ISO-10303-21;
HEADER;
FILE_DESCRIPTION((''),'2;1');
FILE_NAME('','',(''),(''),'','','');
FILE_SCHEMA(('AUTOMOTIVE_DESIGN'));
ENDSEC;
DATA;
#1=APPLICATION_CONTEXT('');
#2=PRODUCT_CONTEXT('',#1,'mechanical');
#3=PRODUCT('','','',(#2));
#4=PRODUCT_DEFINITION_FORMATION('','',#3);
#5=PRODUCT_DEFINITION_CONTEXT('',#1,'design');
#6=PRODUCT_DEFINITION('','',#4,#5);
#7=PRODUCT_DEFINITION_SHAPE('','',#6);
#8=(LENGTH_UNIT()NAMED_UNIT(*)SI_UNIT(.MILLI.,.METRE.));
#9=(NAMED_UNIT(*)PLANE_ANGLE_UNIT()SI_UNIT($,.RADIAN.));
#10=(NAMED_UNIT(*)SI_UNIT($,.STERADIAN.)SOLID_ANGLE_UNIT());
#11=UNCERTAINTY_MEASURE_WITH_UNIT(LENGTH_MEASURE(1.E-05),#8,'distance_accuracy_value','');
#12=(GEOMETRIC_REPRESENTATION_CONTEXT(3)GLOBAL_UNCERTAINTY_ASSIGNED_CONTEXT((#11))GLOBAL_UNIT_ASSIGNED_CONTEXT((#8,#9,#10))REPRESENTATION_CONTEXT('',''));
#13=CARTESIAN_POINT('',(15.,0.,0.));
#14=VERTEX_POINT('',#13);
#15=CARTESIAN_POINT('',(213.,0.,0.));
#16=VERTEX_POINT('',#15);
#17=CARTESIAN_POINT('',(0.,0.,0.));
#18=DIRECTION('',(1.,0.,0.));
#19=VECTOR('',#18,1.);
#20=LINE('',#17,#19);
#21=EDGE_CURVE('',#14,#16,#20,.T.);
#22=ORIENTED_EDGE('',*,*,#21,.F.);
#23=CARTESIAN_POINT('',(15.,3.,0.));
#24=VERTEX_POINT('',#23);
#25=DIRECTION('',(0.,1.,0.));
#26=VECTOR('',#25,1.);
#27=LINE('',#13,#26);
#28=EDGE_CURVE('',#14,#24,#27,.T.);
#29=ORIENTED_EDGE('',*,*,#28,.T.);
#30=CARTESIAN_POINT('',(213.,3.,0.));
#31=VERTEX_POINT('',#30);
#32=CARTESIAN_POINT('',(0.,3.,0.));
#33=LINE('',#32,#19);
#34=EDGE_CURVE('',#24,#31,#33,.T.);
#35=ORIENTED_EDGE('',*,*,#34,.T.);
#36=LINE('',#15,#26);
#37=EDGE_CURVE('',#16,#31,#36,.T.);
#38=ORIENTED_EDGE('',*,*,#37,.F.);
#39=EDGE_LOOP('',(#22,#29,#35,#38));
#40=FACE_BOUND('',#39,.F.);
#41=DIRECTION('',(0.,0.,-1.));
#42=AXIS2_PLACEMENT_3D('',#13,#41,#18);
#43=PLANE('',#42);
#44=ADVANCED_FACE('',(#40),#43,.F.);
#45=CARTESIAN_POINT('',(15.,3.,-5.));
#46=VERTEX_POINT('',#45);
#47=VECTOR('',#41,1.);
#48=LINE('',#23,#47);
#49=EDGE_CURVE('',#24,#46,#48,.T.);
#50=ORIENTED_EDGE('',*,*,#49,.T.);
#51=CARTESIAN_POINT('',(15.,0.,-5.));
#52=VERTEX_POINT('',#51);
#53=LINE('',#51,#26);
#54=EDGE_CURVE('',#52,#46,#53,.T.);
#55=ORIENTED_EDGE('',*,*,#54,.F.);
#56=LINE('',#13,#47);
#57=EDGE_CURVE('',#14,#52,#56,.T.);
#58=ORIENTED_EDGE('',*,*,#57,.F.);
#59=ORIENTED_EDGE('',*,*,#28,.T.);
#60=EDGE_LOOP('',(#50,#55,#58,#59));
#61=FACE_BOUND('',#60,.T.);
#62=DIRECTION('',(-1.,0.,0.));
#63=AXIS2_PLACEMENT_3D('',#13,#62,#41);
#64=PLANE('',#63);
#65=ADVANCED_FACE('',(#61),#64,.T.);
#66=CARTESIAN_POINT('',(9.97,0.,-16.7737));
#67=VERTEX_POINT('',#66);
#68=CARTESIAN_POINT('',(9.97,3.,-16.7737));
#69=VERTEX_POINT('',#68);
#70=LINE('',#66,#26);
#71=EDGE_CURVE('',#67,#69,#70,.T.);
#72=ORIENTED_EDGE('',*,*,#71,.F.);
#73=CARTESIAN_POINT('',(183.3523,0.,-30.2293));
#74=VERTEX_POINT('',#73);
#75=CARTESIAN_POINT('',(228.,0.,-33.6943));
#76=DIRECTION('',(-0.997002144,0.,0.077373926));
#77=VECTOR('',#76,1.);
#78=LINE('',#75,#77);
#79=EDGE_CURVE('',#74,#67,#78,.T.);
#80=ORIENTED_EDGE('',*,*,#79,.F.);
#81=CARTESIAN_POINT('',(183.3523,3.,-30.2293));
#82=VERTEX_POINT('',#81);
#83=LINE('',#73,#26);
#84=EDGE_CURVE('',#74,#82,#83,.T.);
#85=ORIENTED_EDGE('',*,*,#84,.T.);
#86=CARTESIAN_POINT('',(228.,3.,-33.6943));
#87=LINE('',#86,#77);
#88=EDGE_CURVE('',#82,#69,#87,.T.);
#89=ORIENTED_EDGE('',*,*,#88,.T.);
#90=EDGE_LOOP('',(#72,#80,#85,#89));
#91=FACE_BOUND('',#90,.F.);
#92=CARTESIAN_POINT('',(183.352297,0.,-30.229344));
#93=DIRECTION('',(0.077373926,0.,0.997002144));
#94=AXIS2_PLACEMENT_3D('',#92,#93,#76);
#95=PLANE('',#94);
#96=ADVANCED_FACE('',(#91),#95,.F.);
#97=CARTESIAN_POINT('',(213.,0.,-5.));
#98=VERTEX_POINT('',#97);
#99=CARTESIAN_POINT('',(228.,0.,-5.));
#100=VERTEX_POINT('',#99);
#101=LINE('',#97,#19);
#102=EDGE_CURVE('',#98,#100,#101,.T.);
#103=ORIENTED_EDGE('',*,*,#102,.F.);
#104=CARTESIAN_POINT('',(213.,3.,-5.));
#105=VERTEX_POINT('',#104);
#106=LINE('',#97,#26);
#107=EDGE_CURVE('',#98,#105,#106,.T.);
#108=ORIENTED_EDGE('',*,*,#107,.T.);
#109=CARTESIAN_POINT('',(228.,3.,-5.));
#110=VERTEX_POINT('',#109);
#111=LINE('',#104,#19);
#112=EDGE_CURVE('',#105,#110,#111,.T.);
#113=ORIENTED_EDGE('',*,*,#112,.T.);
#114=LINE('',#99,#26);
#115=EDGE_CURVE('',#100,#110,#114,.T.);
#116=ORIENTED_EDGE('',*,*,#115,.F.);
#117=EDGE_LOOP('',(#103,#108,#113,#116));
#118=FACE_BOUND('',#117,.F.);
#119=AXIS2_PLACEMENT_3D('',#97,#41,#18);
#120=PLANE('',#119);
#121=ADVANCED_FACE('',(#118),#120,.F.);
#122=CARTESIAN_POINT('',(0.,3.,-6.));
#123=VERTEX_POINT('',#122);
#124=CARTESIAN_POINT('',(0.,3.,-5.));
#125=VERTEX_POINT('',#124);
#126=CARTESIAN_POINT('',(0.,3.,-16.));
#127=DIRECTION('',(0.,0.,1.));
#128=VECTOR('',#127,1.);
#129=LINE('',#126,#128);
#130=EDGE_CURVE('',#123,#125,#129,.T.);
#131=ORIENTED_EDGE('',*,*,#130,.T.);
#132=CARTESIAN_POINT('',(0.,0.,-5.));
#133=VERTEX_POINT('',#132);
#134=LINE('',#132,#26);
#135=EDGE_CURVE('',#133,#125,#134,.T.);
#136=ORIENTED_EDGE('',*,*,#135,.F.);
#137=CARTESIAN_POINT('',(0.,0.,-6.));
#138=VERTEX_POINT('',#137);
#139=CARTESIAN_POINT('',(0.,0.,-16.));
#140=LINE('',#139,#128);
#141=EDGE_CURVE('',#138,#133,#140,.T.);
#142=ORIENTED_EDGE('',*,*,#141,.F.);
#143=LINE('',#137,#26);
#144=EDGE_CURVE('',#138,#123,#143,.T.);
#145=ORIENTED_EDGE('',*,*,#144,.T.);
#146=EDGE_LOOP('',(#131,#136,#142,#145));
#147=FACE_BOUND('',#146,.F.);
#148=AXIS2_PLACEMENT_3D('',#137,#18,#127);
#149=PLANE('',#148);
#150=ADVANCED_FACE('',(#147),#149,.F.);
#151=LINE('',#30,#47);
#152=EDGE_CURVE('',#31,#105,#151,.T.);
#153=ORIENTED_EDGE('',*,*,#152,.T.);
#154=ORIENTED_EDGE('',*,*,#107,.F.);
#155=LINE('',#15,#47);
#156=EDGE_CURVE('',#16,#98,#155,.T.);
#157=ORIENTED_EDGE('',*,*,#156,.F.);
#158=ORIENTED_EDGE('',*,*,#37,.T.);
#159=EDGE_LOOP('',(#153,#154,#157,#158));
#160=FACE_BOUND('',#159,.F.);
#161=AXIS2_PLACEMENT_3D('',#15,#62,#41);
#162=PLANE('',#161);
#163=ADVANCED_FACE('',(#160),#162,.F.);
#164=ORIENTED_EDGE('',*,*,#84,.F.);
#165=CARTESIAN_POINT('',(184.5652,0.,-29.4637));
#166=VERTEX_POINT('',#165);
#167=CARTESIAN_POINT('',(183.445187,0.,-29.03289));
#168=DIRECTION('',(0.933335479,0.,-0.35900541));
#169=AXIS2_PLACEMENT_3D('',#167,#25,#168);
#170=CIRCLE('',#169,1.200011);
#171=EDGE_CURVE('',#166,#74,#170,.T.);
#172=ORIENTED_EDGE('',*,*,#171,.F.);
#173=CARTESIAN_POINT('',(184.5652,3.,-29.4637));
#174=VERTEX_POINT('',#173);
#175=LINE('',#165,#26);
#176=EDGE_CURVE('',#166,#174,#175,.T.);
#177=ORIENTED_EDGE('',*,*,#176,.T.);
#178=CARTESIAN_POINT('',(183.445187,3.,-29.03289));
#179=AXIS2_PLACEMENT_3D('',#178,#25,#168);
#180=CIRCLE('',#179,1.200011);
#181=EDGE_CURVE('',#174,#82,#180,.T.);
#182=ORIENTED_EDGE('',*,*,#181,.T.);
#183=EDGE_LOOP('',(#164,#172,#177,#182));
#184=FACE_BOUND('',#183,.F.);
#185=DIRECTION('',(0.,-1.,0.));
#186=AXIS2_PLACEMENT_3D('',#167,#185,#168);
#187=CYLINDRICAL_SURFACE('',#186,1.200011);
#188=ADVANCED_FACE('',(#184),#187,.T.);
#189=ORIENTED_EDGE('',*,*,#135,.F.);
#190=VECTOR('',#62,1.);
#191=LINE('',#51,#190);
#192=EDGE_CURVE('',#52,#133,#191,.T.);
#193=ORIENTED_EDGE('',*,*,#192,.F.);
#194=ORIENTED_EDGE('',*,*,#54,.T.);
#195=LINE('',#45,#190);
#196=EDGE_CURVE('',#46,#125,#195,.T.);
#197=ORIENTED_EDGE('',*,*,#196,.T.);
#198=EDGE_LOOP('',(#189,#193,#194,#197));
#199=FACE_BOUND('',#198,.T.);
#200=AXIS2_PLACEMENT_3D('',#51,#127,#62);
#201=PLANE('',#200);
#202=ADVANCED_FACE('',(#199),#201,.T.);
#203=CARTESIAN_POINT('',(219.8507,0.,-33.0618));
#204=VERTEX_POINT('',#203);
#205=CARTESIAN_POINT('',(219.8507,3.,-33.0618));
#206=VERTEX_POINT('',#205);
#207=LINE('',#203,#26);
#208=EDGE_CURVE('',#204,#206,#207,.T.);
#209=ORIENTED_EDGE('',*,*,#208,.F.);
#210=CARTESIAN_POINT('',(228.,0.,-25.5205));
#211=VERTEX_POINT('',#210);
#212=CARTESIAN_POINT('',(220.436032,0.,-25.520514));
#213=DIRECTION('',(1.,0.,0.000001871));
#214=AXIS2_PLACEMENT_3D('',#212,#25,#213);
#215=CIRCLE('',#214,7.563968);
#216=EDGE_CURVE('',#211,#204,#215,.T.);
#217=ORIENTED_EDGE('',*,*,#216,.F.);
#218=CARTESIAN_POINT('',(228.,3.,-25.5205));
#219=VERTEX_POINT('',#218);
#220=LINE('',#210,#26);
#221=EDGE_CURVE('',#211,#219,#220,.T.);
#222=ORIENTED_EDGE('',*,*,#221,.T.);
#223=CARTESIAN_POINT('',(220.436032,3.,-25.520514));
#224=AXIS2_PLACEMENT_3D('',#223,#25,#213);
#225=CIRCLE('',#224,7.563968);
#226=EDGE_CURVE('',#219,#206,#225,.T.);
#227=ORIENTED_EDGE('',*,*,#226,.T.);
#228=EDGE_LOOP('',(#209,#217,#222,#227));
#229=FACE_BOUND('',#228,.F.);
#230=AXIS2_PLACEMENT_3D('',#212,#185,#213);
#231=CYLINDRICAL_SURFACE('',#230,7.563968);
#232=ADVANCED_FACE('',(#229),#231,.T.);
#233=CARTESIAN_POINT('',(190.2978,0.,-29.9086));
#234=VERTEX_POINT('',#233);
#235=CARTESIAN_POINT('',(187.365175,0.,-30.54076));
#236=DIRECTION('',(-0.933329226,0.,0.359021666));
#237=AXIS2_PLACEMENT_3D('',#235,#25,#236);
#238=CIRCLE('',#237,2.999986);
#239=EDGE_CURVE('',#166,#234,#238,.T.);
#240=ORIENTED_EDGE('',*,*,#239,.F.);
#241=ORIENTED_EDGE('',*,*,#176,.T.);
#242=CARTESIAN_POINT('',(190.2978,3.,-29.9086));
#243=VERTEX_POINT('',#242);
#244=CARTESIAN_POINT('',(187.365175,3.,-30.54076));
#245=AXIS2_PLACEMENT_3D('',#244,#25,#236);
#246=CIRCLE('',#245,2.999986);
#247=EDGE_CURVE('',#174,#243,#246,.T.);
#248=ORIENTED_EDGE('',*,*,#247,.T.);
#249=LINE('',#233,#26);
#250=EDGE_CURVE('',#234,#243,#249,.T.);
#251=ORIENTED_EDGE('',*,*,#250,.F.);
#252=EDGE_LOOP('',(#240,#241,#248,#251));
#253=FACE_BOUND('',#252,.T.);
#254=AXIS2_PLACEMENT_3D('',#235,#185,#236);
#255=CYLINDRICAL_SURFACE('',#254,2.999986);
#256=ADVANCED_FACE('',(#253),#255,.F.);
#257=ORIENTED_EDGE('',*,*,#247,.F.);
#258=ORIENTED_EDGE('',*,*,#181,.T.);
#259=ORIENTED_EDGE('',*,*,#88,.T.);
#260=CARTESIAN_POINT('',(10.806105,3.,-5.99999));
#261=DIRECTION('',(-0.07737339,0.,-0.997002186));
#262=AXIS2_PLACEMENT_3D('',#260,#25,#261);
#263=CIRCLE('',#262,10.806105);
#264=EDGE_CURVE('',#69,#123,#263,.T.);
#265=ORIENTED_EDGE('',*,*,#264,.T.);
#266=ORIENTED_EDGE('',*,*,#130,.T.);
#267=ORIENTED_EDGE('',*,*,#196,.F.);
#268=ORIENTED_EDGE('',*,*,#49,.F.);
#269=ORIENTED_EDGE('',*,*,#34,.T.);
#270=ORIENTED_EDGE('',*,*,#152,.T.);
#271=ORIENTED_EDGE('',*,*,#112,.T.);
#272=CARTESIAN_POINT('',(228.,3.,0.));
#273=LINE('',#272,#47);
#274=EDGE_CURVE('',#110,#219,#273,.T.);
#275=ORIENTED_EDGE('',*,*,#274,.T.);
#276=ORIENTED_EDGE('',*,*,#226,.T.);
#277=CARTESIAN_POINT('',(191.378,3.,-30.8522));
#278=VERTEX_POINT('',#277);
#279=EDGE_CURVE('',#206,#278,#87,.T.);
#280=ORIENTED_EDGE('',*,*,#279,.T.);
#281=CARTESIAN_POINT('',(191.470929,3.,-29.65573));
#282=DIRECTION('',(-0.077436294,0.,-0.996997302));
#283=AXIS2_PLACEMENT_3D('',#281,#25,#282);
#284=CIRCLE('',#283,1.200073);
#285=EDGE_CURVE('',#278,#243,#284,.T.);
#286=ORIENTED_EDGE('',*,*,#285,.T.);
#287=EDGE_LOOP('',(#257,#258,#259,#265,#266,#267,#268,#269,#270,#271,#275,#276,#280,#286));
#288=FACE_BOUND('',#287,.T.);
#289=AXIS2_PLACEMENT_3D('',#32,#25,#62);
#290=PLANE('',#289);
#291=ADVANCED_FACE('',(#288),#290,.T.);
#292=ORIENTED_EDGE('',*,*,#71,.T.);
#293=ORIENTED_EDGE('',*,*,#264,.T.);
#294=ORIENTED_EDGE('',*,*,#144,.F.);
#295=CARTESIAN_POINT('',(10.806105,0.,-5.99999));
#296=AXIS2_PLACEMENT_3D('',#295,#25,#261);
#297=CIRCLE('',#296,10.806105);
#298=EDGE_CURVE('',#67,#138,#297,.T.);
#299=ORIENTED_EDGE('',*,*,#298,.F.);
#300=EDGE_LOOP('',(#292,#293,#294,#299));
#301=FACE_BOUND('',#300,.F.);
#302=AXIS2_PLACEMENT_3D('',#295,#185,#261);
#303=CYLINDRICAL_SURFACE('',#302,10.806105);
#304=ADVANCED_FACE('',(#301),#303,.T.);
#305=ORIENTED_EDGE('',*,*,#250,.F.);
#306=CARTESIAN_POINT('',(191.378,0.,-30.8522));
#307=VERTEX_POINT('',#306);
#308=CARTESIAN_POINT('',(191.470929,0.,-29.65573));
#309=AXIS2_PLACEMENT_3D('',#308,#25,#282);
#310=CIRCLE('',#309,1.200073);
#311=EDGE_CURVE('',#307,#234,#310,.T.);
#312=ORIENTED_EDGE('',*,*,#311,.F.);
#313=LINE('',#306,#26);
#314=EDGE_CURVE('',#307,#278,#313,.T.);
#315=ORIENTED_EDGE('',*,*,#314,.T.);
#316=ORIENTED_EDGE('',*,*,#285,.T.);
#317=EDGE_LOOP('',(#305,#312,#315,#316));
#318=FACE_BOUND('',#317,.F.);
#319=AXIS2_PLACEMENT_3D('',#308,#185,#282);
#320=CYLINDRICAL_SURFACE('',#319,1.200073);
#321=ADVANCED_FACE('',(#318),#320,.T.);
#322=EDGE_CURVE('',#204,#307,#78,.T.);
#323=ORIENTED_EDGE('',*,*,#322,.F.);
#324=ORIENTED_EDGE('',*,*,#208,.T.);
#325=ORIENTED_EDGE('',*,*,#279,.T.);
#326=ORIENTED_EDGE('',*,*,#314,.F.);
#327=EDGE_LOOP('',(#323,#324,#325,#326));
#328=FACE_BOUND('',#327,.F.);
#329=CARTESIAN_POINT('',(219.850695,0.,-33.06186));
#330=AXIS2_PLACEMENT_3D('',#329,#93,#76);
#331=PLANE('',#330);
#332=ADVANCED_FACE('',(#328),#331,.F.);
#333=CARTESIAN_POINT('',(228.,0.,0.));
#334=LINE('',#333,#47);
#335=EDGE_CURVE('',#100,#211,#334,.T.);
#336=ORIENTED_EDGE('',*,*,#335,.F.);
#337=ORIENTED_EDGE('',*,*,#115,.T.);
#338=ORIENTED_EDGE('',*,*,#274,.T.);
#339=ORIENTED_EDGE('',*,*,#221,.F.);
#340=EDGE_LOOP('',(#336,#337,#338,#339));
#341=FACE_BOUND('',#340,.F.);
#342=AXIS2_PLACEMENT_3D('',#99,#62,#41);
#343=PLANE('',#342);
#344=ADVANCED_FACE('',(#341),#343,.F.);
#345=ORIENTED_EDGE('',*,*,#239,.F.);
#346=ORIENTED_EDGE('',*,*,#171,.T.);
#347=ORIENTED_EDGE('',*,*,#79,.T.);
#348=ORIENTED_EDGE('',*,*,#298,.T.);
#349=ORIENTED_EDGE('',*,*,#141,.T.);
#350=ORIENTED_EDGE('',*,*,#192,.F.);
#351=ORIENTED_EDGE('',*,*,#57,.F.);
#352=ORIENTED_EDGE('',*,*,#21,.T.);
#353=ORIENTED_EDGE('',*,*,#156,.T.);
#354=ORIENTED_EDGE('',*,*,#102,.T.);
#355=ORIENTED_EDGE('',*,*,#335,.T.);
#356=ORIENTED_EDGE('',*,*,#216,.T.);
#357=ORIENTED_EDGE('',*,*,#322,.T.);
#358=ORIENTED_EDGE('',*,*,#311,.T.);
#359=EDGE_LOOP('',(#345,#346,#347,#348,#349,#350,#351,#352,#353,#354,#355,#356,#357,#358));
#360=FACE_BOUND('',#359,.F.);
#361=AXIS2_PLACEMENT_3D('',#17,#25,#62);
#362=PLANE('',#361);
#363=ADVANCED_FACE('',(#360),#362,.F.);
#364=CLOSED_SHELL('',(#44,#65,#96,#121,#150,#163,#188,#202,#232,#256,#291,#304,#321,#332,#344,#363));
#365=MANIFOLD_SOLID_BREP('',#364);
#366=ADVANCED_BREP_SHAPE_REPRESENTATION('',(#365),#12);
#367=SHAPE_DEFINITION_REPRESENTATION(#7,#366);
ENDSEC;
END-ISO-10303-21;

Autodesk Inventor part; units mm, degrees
ref_plane "YZ Plane" through (0, 0, 0) normal (1, 0, 0) x (0, 1, 0)
ref_plane "XZ Plane" through (0, 0, 0) normal (0, 1, 0) x (-1, 0, 0)
ref_plane "XY Plane" through (0, 0, 0) normal (0, 0, 1) x (1, 0, 0)
sketch "Sketch2" plane through (0, 0, 0) normal (0, 1, 0) x (-1, 0, 0)
  line L0 (0, 0) -> (-228, 0)
  line L1 (-228, 0) -> (-228, -33.6943)
  line L2 (-228, -33.6943) -> (0, -16)
  arc A0 (-228, -25.5205) -> (-219.8507, -33.0618) centre (-220.436, -25.5205) ccw
  arc A1 (-184.5652, -29.4637) -> (-190.2978, -29.9086) centre (-187.3652, -30.5408) ccw
  arc A2 (-191.378, -30.8522) -> (-190.2978, -29.9086) centre (-191.4709, -29.6558) ccw
  arc A3 (-184.5652, -29.4637) -> (-183.3523, -30.2293) centre (-183.4452, -29.0329) ccw
  line L3 (0, 0) -> (-15, 0)
  line L4 (-15, 0) -> (-15, -5)
  line L5 (-15, -5) -> (0, -5)
  line L6 (-228, 0) -> (-213, 0)
  line L7 (-213, 0) -> (-213, -5)
  line L8 (-213, -5) -> (-228, -5)
  line L9 (-228, -5) -> (-228, 0)
  line L10 (0, -16) -> (0, -5)
  arc A4 (-9.97, -16.7737) -> (0, -6) centre (-10.8061, -6) ccw
  point P0 (-220.5, -5)
  point P1 (-7.5, -5)
  point P2 (-15, 0)
  dimension "xp" = 228
  dimension "corner" = 7.564
  dimension "d9" = 1.2
  dimension "d10" = 1.2
  dimension "d15" = 15
  dimension "d16" = 3
  dimension "d20" = 15
  dimension "cutoutdepth" = 5
  dimension "cutoutlength" = 198
  dimension "theta" = 4.438
  dimension "raised" = 11
  dimension "d25" = 10.8061
  dimension "d26" = 1
extrude "Extrusion1" add sketch "Sketch2" along normal blind 3 contours L4 L5 L10 A4 L2 A3 A1 A2 A0 L1 L8 L7 L0
equation "\"d15\" = cutoutoffset"
equation "\"d20\" = cutoutoffset"
equation "\"b\" = 17.7"
equation "\"cutoutoffset\" = 15"
properties part number "rail"
